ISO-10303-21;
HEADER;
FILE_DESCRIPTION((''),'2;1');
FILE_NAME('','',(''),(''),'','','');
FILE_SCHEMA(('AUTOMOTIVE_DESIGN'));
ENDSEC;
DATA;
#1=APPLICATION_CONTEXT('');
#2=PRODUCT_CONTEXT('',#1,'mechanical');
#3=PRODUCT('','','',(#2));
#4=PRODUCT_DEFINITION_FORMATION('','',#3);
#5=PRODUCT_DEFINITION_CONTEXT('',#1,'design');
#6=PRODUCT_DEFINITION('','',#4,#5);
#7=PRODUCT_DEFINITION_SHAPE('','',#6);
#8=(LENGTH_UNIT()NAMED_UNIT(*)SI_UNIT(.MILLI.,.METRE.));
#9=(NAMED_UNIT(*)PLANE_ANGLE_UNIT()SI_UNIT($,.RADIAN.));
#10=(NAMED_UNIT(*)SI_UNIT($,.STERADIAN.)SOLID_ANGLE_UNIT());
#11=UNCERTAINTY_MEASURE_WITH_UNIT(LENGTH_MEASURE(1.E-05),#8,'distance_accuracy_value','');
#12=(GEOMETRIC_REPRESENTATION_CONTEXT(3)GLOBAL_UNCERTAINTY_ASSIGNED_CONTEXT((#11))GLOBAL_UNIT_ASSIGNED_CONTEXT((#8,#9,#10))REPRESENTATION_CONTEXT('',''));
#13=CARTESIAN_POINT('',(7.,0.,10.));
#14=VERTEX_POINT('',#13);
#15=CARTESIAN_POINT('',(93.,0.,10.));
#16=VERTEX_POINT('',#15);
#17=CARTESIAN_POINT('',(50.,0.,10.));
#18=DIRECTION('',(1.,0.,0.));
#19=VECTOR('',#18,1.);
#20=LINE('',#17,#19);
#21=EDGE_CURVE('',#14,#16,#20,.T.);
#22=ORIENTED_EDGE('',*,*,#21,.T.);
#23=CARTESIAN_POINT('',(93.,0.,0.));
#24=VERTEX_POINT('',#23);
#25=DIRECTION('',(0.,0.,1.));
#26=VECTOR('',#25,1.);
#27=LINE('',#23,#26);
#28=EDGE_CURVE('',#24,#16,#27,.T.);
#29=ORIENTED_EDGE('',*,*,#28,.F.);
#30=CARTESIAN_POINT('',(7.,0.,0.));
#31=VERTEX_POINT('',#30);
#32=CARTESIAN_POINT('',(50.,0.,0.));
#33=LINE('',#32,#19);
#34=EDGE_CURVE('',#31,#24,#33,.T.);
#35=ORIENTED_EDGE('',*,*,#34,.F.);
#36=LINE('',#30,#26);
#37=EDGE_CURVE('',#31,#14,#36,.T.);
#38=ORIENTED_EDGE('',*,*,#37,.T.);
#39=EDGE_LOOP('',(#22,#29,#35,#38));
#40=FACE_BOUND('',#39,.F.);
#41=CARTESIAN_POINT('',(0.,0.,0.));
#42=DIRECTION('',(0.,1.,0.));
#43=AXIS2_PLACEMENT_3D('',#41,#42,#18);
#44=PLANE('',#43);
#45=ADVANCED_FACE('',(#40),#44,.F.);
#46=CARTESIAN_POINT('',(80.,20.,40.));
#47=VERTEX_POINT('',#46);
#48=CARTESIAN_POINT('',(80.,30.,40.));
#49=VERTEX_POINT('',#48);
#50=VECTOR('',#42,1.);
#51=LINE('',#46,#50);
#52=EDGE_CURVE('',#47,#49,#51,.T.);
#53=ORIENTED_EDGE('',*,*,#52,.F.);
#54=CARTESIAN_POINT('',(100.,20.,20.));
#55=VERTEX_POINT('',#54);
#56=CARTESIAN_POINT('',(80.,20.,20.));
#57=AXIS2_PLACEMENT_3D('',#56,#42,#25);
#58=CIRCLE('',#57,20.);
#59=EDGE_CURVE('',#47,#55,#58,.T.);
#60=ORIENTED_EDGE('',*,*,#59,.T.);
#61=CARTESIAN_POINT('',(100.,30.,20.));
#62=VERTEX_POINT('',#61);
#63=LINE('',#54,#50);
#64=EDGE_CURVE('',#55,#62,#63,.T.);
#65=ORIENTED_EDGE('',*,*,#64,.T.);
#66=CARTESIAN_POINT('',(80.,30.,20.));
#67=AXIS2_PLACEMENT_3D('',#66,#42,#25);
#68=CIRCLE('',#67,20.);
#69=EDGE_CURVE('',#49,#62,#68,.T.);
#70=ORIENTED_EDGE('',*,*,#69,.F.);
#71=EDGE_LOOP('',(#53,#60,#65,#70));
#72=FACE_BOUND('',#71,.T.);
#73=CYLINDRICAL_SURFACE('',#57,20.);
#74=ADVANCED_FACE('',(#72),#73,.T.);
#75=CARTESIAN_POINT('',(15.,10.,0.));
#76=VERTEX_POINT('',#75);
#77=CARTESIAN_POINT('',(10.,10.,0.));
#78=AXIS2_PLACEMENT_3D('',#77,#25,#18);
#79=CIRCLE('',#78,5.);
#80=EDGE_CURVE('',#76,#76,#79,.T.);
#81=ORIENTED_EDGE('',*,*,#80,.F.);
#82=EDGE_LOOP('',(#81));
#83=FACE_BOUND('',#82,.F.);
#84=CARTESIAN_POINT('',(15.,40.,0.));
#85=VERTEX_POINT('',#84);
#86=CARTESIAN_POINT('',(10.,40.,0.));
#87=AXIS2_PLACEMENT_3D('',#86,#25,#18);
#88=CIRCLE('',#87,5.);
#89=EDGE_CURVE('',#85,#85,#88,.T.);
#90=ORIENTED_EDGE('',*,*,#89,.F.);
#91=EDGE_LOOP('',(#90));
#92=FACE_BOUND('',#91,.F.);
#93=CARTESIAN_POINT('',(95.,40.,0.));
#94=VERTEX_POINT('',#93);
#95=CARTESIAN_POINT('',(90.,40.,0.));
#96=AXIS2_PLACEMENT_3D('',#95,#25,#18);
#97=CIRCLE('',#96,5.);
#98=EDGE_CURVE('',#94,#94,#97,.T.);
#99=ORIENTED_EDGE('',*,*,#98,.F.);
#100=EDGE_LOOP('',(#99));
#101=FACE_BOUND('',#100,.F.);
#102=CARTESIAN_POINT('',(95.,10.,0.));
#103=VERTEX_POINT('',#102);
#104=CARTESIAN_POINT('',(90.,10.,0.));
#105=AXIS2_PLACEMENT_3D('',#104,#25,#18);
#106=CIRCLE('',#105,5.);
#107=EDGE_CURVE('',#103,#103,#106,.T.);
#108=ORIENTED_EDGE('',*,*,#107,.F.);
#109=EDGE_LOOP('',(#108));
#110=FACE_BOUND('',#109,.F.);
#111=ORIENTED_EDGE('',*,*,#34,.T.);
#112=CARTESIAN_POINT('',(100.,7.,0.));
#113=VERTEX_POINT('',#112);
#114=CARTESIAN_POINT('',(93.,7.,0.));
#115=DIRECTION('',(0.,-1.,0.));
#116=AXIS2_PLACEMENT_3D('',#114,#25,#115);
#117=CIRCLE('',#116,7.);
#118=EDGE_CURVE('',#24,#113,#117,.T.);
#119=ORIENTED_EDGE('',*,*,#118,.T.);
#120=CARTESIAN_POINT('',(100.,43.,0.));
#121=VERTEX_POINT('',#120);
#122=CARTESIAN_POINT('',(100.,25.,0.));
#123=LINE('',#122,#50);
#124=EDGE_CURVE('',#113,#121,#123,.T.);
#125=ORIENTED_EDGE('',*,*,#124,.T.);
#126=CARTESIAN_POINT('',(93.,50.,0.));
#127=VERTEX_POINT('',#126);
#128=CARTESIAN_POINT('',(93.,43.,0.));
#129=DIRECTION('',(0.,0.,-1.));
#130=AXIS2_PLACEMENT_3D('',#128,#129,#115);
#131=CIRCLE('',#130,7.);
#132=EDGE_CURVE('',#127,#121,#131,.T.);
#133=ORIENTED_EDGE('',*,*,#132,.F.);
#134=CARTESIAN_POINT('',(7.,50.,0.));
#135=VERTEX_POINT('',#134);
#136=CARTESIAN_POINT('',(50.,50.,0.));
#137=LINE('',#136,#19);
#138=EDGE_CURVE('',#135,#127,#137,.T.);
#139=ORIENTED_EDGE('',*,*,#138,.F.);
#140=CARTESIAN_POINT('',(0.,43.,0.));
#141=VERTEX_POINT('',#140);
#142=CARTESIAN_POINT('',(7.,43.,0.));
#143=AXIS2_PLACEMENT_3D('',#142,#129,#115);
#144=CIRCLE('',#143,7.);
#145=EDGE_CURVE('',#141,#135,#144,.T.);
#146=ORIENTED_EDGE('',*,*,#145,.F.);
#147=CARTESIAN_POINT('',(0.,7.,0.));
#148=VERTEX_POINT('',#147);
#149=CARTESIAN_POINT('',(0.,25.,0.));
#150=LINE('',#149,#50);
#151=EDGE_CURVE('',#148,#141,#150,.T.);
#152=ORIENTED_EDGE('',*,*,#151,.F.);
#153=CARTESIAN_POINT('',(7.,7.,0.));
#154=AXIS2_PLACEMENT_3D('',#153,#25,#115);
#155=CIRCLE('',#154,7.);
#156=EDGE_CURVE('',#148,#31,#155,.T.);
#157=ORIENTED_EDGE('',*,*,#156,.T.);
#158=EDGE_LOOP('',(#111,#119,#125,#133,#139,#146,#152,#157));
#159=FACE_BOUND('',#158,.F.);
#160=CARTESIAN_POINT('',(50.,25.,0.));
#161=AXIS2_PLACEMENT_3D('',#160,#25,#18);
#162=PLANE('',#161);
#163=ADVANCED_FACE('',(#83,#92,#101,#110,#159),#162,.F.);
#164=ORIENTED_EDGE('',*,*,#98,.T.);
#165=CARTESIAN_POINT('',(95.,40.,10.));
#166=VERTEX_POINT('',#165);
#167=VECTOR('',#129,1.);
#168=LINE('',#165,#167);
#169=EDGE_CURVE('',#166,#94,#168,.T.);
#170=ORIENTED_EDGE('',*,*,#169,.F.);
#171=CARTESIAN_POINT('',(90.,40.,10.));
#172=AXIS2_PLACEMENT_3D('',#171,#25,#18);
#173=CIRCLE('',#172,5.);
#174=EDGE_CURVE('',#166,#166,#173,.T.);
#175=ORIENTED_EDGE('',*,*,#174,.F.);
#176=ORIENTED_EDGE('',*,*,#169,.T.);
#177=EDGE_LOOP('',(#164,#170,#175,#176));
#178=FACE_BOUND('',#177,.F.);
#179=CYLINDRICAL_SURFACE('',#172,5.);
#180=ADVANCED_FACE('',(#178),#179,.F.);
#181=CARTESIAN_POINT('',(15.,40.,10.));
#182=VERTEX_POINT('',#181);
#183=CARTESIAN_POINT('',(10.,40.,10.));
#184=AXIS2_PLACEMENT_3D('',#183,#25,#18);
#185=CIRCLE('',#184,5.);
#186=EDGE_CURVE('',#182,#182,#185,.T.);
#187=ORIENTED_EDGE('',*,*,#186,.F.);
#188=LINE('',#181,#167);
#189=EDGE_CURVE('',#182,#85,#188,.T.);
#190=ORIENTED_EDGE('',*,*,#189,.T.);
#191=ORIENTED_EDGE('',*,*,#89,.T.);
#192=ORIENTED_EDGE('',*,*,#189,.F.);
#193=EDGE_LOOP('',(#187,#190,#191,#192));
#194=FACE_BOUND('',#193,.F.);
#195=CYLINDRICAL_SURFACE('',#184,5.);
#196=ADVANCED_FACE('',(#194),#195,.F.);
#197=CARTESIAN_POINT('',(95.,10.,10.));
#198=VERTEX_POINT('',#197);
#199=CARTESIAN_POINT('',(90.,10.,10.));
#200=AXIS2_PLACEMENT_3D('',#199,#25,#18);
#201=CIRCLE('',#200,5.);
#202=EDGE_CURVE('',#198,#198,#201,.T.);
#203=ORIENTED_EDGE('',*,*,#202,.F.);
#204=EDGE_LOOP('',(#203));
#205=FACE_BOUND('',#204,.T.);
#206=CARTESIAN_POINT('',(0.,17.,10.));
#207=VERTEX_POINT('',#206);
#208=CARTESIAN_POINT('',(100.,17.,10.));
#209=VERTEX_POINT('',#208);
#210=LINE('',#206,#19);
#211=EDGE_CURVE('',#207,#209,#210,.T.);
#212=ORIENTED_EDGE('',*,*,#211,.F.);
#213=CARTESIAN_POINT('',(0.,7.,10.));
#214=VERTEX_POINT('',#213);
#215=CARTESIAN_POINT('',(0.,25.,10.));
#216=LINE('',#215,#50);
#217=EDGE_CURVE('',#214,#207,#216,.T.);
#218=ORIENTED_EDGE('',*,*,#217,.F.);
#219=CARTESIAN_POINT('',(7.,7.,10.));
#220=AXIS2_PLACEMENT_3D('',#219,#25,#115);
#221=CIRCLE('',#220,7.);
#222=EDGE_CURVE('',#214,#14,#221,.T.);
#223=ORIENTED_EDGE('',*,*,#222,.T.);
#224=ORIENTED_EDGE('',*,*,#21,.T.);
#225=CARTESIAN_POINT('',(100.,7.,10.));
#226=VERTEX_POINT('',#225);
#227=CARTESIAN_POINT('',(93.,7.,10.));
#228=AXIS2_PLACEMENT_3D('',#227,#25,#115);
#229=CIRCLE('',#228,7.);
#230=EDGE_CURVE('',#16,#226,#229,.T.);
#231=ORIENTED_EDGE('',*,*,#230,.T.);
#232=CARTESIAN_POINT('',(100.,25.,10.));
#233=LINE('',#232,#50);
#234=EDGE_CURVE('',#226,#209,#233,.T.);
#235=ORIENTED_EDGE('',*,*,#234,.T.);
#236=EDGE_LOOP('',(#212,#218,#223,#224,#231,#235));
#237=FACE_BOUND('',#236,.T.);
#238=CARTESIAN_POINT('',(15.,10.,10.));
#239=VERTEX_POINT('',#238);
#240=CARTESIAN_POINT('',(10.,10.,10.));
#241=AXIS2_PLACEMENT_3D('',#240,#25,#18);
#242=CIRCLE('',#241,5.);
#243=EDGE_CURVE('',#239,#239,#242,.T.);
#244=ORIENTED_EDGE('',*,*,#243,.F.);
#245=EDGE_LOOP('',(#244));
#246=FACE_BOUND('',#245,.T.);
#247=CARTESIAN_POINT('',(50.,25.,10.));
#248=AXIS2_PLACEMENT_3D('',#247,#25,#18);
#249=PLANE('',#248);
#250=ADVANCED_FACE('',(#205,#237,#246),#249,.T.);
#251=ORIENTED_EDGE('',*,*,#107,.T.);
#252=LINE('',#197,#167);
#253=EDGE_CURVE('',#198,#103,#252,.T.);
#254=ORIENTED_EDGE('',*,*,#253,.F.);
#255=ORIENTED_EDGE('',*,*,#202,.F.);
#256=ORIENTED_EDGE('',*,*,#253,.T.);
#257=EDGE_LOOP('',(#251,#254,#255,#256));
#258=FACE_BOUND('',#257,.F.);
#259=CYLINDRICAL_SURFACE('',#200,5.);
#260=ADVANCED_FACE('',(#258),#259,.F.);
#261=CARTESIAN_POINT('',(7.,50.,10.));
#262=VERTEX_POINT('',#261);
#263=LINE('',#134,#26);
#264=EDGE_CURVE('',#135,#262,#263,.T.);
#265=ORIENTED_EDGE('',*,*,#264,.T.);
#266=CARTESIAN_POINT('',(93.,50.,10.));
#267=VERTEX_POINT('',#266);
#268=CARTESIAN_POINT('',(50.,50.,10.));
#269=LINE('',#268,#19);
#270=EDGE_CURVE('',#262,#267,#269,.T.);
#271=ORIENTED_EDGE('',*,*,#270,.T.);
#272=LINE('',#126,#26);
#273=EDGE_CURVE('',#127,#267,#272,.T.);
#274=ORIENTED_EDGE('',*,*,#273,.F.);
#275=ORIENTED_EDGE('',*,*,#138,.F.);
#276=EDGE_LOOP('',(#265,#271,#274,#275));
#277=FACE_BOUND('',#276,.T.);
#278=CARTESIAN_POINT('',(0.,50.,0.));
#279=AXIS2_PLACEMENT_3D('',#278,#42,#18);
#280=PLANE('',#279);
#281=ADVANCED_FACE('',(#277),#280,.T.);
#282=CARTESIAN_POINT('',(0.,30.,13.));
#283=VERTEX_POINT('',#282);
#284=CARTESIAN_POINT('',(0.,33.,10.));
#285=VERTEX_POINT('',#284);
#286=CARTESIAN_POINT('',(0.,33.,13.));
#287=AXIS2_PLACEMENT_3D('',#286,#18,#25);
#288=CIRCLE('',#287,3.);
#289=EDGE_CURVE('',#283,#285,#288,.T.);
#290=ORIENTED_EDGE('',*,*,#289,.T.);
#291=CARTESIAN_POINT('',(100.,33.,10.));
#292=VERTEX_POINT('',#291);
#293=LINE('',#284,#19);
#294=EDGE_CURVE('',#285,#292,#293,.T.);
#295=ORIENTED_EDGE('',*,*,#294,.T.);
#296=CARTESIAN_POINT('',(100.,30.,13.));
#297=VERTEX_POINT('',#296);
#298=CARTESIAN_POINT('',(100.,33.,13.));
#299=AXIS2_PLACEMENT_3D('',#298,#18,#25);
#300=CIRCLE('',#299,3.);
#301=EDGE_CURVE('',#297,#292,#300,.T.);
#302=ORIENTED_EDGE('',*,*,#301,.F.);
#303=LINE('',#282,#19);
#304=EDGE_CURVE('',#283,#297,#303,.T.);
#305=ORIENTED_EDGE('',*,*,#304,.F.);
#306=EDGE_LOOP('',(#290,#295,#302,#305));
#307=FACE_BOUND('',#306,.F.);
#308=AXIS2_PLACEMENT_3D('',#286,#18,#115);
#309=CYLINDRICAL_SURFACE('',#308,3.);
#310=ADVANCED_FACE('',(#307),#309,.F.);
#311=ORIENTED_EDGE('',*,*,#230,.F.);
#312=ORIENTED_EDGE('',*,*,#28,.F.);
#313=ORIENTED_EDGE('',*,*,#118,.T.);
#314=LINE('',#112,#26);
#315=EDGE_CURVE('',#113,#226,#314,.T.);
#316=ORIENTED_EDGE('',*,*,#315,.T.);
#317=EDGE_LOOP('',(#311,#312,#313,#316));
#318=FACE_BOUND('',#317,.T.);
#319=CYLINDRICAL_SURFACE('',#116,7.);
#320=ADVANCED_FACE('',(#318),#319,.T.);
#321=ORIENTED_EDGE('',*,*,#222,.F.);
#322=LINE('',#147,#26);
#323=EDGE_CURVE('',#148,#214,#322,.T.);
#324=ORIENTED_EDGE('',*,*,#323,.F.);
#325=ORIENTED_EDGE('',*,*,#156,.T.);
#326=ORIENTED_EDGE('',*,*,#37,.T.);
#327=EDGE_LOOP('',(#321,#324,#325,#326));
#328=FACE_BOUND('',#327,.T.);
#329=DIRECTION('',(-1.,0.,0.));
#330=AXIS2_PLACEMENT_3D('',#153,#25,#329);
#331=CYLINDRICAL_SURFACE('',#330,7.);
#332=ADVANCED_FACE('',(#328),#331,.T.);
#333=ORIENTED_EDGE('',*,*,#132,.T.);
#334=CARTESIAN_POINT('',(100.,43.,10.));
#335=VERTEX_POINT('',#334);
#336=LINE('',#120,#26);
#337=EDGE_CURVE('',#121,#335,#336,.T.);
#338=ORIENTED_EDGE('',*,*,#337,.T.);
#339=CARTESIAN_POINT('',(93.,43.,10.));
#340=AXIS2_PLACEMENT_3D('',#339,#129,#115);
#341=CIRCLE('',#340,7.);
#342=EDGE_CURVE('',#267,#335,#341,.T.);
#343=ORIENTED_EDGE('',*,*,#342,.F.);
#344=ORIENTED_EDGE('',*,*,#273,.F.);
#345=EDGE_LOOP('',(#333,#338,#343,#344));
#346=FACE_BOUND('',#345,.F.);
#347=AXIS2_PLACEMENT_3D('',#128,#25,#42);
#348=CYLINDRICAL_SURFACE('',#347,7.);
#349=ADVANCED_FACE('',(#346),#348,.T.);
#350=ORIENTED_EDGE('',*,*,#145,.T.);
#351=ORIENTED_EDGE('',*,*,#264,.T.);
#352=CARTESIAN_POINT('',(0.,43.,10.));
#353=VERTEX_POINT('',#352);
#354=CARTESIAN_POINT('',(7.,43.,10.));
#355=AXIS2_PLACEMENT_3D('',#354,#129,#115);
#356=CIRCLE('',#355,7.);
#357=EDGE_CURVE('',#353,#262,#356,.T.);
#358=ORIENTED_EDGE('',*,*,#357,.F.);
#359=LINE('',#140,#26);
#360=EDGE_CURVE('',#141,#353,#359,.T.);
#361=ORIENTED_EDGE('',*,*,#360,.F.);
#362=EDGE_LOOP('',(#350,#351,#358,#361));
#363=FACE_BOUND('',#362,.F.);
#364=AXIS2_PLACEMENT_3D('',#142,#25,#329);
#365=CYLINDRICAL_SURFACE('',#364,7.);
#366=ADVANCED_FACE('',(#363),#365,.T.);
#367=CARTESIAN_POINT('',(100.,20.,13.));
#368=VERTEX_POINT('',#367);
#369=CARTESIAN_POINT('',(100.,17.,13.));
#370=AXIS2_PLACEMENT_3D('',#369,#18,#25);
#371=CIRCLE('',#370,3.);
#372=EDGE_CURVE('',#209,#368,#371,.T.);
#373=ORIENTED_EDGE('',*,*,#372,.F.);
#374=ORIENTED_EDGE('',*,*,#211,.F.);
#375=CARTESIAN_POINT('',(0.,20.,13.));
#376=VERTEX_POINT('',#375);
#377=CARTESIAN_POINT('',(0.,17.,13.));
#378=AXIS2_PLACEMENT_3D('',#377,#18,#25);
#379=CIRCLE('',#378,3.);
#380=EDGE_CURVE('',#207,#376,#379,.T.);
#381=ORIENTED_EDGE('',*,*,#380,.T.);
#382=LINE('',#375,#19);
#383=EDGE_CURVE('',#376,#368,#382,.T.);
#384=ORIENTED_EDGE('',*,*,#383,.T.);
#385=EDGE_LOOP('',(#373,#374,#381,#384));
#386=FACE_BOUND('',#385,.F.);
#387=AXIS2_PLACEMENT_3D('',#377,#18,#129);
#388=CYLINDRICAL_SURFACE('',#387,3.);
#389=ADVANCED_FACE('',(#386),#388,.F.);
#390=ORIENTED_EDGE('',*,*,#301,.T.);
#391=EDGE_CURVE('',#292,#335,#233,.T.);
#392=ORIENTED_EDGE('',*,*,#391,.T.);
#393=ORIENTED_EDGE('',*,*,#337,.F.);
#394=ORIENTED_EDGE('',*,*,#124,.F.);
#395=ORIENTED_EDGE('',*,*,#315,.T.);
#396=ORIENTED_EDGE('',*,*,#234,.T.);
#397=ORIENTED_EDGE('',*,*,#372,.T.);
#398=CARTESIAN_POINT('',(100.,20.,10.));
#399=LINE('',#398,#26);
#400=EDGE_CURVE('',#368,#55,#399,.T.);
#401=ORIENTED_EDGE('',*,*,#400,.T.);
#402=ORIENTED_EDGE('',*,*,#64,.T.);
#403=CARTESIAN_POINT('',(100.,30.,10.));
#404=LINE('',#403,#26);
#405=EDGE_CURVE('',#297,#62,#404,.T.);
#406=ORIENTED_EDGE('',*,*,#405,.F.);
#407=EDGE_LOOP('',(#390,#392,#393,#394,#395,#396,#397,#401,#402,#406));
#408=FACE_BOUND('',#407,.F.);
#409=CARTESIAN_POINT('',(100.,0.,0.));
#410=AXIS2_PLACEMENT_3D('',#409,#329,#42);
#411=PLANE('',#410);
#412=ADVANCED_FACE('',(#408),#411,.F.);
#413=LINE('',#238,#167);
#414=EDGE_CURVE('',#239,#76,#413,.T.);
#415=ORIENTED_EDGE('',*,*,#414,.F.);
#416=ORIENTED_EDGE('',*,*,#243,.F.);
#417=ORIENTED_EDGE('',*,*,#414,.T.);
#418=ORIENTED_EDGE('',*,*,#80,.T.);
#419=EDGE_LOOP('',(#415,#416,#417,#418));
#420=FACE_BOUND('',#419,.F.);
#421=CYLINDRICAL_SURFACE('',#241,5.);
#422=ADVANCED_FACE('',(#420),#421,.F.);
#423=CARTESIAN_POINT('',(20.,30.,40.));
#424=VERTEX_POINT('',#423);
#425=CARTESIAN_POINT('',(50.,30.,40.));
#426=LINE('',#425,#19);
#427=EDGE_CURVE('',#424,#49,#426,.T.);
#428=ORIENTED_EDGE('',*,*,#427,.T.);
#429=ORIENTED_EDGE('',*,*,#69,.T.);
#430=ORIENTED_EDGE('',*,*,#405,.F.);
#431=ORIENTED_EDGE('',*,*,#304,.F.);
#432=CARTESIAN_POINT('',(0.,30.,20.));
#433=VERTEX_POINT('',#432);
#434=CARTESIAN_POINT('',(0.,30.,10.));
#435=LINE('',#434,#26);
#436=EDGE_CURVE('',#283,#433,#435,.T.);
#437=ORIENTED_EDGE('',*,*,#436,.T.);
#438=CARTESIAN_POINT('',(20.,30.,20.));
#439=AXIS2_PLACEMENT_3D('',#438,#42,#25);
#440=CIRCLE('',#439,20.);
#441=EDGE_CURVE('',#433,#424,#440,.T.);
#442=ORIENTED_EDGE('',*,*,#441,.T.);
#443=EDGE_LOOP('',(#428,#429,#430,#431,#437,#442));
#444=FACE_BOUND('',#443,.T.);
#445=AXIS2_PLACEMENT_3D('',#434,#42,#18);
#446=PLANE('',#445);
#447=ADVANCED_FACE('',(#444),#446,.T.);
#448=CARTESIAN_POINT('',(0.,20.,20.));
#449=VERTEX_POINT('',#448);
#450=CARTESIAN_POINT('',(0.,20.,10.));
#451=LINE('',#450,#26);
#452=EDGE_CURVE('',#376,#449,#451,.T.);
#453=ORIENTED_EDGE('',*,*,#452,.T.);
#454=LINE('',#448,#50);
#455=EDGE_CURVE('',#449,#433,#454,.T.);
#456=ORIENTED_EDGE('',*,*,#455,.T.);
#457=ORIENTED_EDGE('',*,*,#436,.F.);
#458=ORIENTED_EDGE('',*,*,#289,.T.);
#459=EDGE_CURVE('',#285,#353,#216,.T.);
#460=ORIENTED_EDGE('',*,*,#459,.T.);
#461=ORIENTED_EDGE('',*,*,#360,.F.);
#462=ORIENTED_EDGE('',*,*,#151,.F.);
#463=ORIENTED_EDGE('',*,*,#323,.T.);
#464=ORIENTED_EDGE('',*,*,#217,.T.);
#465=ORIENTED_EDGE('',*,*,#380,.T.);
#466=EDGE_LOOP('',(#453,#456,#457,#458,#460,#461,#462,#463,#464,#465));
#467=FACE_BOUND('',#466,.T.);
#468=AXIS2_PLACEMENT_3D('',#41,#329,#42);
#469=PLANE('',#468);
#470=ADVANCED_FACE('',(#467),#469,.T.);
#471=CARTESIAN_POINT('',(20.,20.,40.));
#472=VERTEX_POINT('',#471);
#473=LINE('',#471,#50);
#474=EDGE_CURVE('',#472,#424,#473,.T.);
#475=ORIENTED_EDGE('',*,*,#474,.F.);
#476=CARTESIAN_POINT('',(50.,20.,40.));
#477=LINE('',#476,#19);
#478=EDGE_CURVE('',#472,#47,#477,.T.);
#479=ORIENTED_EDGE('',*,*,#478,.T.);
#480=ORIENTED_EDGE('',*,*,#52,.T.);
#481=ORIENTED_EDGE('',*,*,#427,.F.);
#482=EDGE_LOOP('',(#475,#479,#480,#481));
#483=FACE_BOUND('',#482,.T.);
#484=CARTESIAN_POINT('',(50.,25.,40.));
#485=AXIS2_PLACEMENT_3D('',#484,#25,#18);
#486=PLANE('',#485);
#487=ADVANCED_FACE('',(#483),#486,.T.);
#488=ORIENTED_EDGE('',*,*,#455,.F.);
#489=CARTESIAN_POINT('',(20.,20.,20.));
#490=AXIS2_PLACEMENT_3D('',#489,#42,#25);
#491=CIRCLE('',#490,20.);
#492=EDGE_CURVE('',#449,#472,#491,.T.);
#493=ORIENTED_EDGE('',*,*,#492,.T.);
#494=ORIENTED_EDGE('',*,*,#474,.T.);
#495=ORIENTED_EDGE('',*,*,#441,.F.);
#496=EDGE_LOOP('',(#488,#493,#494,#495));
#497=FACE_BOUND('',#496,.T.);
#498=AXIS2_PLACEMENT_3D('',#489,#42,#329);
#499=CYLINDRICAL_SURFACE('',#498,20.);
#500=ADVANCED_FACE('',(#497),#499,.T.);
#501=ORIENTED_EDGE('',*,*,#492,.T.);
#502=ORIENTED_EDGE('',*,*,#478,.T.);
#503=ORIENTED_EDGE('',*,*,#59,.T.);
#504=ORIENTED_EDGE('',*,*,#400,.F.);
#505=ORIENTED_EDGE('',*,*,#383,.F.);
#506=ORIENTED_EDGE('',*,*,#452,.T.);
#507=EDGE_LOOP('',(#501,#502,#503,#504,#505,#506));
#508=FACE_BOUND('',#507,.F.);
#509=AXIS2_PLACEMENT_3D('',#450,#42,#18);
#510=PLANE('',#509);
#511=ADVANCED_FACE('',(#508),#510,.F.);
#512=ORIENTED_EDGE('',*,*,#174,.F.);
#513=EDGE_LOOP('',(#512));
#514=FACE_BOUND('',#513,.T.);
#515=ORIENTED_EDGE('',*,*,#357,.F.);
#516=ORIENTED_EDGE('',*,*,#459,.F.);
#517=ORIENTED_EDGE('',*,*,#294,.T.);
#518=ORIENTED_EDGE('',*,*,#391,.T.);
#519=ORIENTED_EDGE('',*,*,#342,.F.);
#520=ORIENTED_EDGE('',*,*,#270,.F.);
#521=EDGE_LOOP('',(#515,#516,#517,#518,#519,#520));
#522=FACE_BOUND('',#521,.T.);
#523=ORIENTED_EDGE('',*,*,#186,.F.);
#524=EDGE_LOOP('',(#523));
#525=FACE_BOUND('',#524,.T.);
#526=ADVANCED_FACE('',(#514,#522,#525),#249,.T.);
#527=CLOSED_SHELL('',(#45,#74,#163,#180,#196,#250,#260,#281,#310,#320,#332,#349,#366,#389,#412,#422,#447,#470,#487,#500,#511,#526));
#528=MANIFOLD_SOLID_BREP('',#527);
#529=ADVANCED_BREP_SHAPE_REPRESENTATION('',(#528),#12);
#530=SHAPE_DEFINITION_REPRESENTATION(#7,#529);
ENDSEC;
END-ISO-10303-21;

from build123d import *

# Parameters (mm, degrees)
SKETCH_W     = 100
SKETCH_H     = 50
PAD_DEPTH    = 10
SKETCH001_W  = 100
SKETCH001_H  = 10
PAD001_DEPTH = 30
SKETCH002_R  = 5
POCKET_DEPTH = 10.001
FILLET_R     = 20
FILLET001_R  = 7
FILLET002_R  = 3


with BuildPart() as part:
    # Sketch → Pad (new body)
    with BuildSketch(Plane.XY):
        with Locations((50, 25)):
            Rectangle(SKETCH_W, SKETCH_H)
    extrude(amount=PAD_DEPTH)

    # Sketch001 (on Face6 of Pad) → Pad001 (join)
    with BuildSketch(Plane.XY.offset(10)):
        with Locations((50, 25)):
            Rectangle(SKETCH001_W, SKETCH001_H)
    extrude(amount=PAD001_DEPTH)

    # Sketch002 (on Face5 of Pad001) → Pocket (cut, through all)
    with BuildSketch(Plane.XY.offset(10)):
        with Locations((10, 40)):
            Circle(SKETCH002_R)
        with Locations((90, 40)):
            Circle(SKETCH002_R)
        with Locations((10, 10)):
            Circle(SKETCH002_R)
        with Locations((90, 10)):
            Circle(SKETCH002_R)
    extrude(amount=-POCKET_DEPTH, mode=Mode.SUBTRACT)

    # Fillet
    fillet_edges = [part.edges().sort_by_distance(p)[0] for p in [
        (100, 25, 40),
        (0, 25, 40),
    ]]
    fillet(fillet_edges, radius=FILLET_R)

    # Fillet001
    fillet001_edges = [part.edges().sort_by_distance(p)[0] for p in [
        (100, 0, 5),
        (100, 50, 5),
        (0, 0, 5),
        (0, 50, 5),
    ]]
    fillet(fillet001_edges, radius=FILLET001_R)

    # Fillet002
    fillet002_edges = [part.edges().sort_by_distance(p)[0] for p in [
        (50, 20, 10),
        (50, 30, 10),
    ]]
    fillet(fillet002_edges, radius=FILLET002_R)


solid = part.part
